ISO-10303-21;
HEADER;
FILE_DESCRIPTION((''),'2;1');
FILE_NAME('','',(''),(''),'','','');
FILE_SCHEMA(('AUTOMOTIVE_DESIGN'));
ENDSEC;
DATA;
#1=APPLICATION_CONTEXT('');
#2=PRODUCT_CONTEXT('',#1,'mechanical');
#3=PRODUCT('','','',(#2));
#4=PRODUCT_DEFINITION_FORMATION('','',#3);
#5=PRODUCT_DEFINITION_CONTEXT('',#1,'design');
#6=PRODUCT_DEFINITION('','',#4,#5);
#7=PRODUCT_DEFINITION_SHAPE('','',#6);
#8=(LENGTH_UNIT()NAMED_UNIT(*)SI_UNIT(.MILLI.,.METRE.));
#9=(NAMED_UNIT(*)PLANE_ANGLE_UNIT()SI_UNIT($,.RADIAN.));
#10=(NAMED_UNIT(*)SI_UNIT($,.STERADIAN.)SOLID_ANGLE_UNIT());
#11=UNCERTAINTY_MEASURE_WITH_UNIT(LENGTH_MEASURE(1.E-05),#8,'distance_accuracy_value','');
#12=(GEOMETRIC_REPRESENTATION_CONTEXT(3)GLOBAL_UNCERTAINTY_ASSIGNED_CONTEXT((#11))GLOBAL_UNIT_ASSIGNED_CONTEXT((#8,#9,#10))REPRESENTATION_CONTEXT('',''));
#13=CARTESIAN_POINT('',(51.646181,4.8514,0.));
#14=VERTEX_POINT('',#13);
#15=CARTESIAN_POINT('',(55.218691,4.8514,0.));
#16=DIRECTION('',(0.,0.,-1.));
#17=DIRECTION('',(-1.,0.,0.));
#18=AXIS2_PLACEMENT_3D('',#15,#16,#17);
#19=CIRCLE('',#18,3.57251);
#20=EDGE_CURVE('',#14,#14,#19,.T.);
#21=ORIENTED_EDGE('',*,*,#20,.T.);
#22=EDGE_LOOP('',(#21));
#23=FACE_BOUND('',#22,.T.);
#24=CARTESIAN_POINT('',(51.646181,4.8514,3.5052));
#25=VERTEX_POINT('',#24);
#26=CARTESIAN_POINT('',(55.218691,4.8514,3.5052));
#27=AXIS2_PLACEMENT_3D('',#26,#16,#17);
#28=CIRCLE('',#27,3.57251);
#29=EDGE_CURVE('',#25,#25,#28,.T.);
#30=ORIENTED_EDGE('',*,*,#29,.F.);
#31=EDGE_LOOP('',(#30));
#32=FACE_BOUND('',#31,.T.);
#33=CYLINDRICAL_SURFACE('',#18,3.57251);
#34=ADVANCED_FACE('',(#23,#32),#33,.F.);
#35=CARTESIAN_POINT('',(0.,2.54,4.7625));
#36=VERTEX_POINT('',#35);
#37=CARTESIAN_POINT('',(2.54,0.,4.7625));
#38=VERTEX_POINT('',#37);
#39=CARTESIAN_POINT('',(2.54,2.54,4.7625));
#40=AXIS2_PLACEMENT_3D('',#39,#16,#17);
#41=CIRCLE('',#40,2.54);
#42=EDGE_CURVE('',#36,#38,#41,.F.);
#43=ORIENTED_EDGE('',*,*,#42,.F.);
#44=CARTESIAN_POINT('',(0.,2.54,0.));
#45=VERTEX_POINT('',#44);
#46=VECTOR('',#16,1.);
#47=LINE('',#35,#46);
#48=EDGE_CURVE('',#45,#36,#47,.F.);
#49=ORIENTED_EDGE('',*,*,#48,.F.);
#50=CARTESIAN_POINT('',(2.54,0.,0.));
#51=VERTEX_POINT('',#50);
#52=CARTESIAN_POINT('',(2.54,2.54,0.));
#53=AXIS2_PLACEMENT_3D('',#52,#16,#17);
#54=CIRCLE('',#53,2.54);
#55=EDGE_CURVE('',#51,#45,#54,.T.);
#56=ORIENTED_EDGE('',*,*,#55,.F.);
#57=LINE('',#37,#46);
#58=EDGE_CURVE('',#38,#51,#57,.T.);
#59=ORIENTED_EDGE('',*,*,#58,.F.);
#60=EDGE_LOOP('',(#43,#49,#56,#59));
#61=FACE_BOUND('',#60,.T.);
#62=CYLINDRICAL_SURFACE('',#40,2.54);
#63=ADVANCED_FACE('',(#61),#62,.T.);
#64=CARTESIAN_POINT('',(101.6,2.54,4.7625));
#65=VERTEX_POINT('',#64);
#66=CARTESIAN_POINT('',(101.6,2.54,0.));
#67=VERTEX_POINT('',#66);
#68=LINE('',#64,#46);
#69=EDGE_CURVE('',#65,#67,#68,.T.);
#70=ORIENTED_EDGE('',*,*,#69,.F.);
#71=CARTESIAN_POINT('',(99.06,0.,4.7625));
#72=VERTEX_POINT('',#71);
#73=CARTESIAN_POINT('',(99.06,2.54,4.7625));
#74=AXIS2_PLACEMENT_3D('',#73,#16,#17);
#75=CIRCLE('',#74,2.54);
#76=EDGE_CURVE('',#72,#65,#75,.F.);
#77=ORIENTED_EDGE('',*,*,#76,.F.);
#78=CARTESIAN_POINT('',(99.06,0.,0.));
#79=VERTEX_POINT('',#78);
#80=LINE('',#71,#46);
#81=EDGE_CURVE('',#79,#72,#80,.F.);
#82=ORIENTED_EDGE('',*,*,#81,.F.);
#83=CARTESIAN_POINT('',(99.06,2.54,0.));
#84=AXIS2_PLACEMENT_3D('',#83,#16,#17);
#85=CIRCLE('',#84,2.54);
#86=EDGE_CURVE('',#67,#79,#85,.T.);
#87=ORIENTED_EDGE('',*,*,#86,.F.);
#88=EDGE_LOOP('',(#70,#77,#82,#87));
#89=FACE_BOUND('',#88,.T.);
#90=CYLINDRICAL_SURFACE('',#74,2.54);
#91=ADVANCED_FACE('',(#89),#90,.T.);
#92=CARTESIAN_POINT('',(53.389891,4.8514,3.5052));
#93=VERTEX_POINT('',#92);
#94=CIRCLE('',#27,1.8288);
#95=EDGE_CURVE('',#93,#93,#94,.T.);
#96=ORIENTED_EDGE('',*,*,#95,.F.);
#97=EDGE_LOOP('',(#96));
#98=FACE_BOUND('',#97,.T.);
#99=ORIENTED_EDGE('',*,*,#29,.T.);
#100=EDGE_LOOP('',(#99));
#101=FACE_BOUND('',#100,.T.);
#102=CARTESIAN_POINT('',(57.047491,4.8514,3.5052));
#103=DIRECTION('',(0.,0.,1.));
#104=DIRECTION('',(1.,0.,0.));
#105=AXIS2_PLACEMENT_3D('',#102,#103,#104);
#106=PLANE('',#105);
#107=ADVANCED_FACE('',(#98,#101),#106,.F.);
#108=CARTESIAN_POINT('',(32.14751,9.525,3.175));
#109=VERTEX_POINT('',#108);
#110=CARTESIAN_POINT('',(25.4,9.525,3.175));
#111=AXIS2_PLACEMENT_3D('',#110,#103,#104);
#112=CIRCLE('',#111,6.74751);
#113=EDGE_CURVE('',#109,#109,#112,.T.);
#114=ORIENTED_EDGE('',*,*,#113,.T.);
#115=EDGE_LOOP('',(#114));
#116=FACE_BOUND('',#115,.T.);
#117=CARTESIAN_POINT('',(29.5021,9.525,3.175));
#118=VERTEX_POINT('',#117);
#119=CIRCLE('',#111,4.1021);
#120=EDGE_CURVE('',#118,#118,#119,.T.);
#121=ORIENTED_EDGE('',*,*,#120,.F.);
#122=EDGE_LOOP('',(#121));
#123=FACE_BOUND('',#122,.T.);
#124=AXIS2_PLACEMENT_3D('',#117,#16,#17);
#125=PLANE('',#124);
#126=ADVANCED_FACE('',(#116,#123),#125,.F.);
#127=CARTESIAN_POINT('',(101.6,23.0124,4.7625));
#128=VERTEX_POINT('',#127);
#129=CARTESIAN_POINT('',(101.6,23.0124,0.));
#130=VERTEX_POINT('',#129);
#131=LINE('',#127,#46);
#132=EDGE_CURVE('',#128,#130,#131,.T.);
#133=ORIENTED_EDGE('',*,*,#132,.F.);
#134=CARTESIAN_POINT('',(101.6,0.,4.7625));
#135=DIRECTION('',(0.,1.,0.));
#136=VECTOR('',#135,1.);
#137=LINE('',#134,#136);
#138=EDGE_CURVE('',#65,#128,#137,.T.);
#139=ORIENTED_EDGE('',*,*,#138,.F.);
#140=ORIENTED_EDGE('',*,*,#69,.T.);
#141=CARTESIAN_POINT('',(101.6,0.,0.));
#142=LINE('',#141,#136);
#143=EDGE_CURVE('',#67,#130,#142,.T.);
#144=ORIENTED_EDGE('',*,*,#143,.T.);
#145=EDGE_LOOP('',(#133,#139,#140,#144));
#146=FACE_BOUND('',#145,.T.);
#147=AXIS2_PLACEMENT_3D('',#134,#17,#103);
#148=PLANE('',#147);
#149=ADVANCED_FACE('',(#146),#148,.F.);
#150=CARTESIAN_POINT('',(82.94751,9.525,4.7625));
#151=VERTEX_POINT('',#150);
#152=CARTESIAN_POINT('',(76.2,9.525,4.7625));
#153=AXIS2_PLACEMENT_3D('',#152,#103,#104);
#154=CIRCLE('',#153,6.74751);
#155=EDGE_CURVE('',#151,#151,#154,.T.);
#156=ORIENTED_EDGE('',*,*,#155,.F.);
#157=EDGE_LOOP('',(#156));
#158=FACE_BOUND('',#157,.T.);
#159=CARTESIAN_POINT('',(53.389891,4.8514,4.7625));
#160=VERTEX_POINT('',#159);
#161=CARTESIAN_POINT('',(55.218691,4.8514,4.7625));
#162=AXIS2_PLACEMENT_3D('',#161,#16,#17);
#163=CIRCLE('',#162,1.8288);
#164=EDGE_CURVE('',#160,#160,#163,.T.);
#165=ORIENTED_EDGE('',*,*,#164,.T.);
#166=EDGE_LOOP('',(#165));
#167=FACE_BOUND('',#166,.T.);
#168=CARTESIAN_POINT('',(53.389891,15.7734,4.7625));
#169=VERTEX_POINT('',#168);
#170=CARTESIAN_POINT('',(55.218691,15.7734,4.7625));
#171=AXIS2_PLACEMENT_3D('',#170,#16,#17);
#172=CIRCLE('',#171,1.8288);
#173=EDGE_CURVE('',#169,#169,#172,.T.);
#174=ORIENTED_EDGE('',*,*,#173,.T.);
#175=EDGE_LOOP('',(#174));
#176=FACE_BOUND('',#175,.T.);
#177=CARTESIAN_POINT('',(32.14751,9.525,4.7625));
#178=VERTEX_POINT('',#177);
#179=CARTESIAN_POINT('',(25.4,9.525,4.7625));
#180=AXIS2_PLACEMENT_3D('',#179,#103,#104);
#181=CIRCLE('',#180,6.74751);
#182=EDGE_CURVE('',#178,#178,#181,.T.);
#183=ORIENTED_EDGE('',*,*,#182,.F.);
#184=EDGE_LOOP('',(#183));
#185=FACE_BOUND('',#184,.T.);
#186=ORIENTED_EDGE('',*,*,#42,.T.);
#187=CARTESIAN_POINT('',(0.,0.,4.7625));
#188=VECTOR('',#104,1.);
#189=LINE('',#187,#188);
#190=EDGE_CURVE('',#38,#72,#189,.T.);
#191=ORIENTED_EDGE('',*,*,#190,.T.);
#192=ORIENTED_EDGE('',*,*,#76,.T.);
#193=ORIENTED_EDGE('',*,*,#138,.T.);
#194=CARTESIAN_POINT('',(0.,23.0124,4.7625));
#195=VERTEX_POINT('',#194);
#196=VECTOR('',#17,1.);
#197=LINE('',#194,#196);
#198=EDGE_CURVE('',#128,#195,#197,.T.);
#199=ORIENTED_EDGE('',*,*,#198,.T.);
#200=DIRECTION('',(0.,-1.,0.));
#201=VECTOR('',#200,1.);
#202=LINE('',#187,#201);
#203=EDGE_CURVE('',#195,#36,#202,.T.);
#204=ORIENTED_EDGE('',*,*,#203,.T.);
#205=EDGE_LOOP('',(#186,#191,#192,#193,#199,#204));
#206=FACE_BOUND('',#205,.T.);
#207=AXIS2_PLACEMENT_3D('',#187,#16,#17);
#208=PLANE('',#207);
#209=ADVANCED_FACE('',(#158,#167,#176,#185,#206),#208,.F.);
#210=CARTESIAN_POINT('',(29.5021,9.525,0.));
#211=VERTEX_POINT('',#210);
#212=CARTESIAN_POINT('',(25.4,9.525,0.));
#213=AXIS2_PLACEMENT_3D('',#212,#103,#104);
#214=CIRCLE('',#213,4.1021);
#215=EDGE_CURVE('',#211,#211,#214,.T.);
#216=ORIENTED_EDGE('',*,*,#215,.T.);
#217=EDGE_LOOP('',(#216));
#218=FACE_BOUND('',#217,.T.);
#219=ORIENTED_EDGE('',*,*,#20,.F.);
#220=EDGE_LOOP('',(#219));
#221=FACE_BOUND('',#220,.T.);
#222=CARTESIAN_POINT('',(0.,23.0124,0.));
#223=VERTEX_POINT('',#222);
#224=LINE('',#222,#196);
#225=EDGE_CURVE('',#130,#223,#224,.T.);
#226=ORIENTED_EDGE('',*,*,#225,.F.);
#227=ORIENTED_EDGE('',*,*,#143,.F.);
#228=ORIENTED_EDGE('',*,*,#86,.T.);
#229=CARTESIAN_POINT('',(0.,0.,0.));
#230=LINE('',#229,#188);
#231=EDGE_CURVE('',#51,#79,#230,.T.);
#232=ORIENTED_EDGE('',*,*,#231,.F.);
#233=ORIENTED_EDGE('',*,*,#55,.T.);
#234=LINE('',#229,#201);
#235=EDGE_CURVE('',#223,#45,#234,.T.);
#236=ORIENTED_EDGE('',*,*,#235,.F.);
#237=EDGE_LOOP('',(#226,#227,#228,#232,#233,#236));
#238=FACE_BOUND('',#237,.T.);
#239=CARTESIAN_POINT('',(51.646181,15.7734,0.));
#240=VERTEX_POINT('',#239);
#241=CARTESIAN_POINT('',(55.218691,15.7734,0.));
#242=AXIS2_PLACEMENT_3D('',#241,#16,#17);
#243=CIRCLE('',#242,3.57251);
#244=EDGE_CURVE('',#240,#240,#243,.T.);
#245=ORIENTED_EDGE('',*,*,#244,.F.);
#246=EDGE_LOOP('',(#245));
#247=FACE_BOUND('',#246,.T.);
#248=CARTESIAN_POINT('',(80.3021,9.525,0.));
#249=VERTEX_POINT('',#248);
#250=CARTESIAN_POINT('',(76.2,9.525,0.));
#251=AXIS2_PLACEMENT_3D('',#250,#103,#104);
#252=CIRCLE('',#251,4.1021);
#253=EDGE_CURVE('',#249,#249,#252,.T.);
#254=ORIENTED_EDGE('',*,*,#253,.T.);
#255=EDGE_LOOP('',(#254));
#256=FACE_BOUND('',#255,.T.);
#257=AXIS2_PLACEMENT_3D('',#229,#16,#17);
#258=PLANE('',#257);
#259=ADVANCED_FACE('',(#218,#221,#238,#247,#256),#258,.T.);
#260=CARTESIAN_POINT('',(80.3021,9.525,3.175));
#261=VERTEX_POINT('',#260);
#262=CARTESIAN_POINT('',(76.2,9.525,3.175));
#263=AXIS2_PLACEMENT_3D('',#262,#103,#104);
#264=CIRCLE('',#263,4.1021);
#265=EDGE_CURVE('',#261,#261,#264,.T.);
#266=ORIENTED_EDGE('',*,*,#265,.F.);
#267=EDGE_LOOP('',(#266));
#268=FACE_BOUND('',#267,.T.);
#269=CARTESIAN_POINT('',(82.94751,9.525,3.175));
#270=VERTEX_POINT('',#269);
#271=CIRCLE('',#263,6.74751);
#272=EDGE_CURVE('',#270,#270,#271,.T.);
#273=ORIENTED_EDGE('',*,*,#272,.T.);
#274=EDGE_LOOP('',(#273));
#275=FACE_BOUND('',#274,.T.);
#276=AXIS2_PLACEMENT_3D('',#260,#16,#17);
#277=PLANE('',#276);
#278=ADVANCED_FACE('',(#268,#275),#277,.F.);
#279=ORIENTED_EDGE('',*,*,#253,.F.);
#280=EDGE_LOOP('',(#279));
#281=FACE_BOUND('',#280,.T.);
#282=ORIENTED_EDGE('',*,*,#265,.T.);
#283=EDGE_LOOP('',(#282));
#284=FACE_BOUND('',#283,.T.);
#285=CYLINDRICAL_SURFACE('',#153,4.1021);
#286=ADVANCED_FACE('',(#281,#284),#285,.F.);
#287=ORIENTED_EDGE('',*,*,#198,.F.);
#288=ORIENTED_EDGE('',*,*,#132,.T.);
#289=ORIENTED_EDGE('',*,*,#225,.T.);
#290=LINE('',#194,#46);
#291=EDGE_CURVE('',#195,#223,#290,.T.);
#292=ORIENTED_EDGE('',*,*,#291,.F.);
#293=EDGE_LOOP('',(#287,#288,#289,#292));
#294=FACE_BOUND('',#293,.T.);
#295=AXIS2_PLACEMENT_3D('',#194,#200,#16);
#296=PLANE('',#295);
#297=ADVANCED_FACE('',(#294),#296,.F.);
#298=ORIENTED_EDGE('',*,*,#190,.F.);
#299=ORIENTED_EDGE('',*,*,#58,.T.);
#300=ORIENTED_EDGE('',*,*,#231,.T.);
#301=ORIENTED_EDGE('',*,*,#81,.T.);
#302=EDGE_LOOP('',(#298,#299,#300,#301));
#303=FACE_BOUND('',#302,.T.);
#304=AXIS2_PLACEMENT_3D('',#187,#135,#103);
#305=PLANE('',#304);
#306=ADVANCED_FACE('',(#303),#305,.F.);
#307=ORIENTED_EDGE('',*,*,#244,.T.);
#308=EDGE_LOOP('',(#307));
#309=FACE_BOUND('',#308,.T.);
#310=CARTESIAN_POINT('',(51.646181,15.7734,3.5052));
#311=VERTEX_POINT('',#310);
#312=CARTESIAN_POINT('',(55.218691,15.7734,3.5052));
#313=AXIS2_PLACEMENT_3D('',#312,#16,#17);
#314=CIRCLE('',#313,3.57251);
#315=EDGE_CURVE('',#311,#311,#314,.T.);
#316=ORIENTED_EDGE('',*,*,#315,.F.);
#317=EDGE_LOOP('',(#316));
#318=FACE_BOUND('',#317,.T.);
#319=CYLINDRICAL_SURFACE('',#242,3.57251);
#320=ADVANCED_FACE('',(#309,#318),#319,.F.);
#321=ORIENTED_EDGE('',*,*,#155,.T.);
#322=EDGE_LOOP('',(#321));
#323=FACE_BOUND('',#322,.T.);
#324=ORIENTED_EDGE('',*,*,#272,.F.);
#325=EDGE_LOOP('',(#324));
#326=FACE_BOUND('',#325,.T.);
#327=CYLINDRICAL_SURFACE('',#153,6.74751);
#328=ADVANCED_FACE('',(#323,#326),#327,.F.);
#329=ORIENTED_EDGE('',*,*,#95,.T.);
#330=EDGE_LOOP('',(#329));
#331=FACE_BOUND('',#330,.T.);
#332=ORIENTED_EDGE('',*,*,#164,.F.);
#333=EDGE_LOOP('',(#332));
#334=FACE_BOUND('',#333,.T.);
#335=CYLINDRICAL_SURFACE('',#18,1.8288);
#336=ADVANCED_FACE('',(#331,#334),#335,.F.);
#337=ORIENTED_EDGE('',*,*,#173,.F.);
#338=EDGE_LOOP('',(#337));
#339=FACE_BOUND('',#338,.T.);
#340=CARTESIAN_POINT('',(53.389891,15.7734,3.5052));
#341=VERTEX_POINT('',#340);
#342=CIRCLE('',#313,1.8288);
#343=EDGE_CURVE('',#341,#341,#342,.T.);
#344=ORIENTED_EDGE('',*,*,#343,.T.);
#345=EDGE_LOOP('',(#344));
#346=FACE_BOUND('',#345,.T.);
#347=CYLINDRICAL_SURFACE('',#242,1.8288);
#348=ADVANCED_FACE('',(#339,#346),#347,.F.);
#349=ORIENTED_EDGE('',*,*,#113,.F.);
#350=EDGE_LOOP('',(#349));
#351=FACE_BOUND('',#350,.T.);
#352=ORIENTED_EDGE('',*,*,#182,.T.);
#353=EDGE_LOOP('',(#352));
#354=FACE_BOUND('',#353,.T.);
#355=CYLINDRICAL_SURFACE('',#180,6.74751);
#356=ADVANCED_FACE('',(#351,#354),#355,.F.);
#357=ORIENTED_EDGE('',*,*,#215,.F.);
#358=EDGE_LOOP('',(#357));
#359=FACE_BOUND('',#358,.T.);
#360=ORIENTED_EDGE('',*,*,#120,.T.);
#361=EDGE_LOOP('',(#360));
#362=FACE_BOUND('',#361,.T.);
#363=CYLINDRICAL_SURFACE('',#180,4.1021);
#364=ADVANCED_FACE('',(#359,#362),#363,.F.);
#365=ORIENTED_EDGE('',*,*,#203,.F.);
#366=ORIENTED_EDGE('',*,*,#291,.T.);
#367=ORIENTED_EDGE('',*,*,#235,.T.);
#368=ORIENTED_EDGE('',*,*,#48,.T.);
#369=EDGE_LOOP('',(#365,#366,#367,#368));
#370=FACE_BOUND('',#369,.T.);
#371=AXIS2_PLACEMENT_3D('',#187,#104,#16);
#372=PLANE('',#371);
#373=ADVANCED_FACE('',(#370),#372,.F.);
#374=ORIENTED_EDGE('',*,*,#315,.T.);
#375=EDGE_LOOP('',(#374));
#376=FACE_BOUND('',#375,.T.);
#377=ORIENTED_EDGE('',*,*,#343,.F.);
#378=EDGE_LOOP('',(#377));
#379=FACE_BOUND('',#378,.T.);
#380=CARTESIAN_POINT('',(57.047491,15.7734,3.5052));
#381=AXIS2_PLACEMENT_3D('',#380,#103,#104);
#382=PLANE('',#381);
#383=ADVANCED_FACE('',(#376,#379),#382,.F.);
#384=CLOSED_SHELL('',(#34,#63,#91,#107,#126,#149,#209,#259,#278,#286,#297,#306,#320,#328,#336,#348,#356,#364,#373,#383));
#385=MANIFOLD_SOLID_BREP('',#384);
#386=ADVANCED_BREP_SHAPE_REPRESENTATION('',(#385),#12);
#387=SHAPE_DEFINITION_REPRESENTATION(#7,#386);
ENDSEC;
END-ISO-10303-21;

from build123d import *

# Parameters (mm, degrees)
SKETCH1_W                                         = 101.6
SKETCH1_H                                         = 23.0124
BOSS_EXTRUDE1_DEPTH                               = 4.7625
CBORE_FOR_5_16_SOCKET_HEAD_CAP_SCREW1_D           = 8.2042
CBORE_FOR_5_16_SOCKET_HEAD_CAP_SCREW1_CBORE_D     = 13.49502
CBORE_FOR_5_16_SOCKET_HEAD_CAP_SCREW1_CBORE_DEPTH = 1.5875
CBORE_FOR_6_SOCKET_HEAD_CAP_SCREW1_D              = 3.6576
CBORE_FOR_6_SOCKET_HEAD_CAP_SCREW1_CBORE_D        = 7.14502
CBORE_FOR_6_SOCKET_HEAD_CAP_SCREW1_CBORE_DEPTH    = 3.5052
FILLET1_R                                         = 2.54


with BuildPart() as part:
    # Sketch1 → Boss-Extrude1 (new body)
    with BuildSketch(Plane.XY):
        with Locations((50.8, 11.5062)):
            Rectangle(SKETCH1_W, SKETCH1_H)
    extrude(amount=BOSS_EXTRUDE1_DEPTH)

    # CBORE for 5/16 Socket Head Cap Screw1 (through all)
    with Locations(Plane.XY.offset(4.7625)):
        with Locations((76.2, 9.525), (25.4, 9.525)):
            CounterBoreHole(CBORE_FOR_5_16_SOCKET_HEAD_CAP_SCREW1_D / 2, CBORE_FOR_5_16_SOCKET_HEAD_CAP_SCREW1_CBORE_D / 2, CBORE_FOR_5_16_SOCKET_HEAD_CAP_SCREW1_CBORE_DEPTH)

    # CBORE for #6 Socket Head Cap Screw1 (through all)
    with Locations(Plane(origin=(0, 0, 0), x_dir=(-1, 0, 0), z_dir=(0, 0, -1))):
        with Locations((-55.218690757, 15.7734), (-55.218690757, 4.8514)):
            CounterBoreHole(CBORE_FOR_6_SOCKET_HEAD_CAP_SCREW1_D / 2, CBORE_FOR_6_SOCKET_HEAD_CAP_SCREW1_CBORE_D / 2, CBORE_FOR_6_SOCKET_HEAD_CAP_SCREW1_CBORE_DEPTH)

    # Fillet1
    fillet1_edges = [part.edges().sort_by_distance(p)[0] for p in [
        (101.6, 0, 2.38125),
        (0, 0, 2.38125),
    ]]
    fillet(fillet1_edges, radius=FILLET1_R)


solid = part.part
